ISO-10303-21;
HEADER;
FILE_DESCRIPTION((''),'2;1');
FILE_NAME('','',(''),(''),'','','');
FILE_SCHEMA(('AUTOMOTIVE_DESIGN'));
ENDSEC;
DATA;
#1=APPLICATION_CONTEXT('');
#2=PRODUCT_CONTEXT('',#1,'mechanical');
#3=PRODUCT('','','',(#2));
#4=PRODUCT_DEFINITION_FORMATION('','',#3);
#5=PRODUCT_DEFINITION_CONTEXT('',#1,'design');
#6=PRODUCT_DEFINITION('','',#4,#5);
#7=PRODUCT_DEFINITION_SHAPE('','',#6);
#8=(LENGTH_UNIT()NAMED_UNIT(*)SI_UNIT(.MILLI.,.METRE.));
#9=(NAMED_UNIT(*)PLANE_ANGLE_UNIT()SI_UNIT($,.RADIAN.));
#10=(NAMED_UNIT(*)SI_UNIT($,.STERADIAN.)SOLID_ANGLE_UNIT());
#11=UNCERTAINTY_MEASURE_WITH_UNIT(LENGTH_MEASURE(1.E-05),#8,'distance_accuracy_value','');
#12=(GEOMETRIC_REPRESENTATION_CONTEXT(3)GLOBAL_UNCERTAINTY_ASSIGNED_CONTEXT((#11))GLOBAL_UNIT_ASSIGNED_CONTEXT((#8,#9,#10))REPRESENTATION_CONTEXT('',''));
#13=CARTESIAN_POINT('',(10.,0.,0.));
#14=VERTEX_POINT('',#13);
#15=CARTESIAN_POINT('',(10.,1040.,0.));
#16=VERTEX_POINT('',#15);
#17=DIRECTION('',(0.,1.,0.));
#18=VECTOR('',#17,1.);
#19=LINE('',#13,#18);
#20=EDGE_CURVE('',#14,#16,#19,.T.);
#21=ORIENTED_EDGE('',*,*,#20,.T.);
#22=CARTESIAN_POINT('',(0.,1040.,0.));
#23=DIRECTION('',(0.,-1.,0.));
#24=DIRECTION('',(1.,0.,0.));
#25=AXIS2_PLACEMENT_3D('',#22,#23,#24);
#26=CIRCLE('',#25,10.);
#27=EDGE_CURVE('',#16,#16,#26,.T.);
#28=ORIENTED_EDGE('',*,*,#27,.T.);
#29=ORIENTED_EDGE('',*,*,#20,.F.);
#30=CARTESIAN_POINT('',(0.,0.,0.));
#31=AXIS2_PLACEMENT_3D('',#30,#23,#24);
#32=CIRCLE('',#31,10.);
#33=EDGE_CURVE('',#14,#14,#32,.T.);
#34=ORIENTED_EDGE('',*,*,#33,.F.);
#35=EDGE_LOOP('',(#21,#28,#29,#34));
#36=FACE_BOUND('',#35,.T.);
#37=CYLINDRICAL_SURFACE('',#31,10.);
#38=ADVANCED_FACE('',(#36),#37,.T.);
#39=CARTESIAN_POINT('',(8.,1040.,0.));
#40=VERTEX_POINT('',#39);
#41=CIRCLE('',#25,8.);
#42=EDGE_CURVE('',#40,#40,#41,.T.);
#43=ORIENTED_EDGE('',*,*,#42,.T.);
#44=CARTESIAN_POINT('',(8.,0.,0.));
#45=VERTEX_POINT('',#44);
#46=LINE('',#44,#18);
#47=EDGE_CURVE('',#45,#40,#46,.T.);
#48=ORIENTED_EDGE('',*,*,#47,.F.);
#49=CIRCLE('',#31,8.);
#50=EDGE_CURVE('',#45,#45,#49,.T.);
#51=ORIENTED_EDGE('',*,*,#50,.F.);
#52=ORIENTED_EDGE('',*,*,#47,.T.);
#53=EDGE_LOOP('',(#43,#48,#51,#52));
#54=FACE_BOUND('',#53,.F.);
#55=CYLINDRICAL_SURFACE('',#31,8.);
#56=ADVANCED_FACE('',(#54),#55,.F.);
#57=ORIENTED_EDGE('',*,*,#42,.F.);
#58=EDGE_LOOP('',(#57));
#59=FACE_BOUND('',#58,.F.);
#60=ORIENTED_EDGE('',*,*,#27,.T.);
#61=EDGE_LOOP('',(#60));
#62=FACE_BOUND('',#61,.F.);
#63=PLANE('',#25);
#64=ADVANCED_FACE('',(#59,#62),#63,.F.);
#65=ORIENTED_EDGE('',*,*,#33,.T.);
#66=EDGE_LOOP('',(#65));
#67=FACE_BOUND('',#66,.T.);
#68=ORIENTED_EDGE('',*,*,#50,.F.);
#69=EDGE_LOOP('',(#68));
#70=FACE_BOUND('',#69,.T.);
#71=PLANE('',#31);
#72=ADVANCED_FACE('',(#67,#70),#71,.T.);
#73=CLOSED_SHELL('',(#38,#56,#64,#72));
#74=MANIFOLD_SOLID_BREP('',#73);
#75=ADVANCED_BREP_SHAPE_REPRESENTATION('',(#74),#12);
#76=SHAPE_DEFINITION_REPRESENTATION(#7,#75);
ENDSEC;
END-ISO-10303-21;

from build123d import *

# Parameters (mm, degrees)
F0_R     = 10
F0_R_2   = 8
F1_DEPTH = 1040


with BuildPart() as f1:
    # F0 (on Front) → F1 (new body)
    with BuildSketch(Plane.XZ):
        Circle(F0_R)
        Circle(F0_R_2, mode=Mode.SUBTRACT)
    extrude(amount=-F1_DEPTH)


solid = f1.part
